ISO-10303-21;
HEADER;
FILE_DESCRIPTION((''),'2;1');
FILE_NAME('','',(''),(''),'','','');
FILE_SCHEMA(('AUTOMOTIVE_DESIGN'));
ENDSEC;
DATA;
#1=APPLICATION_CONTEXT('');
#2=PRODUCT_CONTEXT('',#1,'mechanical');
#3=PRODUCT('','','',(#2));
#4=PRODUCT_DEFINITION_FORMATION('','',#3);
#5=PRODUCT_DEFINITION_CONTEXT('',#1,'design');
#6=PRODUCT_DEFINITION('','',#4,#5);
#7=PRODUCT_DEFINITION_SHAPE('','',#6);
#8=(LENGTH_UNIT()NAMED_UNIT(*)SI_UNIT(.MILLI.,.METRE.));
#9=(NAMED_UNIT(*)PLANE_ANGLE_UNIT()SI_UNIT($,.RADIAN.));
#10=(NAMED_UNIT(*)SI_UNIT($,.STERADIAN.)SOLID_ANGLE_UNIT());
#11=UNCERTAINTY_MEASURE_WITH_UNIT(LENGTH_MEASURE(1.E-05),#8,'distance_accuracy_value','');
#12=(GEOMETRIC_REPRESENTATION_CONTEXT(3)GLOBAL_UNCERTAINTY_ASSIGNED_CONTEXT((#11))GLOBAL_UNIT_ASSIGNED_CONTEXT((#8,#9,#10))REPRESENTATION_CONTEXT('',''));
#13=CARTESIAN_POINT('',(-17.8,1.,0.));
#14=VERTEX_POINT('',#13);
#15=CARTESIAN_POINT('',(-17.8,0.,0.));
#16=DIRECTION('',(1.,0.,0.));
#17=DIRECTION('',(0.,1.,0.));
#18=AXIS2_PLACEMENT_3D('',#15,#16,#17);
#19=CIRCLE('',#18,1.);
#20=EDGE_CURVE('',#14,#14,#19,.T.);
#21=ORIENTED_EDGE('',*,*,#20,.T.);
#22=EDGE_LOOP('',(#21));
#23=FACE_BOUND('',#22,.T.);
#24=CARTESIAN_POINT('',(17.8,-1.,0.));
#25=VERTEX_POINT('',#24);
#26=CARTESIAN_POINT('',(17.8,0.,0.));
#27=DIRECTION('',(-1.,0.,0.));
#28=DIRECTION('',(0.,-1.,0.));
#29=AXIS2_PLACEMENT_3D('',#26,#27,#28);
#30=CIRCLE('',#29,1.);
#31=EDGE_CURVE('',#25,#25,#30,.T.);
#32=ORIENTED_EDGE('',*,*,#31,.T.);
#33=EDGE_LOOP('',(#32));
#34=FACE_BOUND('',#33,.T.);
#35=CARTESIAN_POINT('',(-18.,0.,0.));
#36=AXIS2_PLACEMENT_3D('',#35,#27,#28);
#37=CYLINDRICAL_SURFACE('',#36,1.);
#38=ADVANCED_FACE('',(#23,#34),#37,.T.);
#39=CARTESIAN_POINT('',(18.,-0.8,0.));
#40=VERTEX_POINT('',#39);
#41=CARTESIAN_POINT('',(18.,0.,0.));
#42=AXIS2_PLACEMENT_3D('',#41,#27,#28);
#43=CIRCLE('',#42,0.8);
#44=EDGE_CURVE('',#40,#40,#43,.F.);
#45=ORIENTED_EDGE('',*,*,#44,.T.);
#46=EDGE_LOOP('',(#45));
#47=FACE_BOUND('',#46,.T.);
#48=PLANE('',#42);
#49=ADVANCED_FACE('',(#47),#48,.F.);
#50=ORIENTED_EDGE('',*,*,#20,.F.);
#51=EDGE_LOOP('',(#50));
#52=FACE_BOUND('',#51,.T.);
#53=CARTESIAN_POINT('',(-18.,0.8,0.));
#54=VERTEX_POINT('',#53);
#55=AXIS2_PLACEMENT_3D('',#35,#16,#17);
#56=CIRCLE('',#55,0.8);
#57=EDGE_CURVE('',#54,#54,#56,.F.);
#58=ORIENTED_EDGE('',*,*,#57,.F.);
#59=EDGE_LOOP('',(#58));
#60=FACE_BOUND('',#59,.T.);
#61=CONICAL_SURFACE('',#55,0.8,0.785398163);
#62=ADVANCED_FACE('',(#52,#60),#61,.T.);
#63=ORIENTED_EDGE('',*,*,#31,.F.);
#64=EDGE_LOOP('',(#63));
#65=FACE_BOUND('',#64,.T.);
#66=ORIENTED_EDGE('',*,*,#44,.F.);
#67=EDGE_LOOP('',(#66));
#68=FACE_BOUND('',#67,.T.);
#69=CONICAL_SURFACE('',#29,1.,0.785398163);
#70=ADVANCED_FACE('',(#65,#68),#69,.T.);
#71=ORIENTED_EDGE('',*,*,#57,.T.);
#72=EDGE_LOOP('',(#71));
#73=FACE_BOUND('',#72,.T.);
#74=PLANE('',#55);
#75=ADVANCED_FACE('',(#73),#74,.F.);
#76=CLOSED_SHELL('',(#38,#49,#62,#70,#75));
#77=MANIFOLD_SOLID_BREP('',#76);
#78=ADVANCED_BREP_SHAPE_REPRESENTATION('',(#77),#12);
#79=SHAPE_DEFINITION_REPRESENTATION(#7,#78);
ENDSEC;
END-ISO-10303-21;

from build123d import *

# Parameters (mm, degrees)
SKETCH1_W     = 36
SKETCH1_H     = 1
CHAMFER1_SIZE = 0.2


with BuildPart() as part:
    # Sketch1 → Revolve1 (revolve)
    with BuildSketch(Plane.XY):
        with Locations((0, 0.5)):
            Rectangle(SKETCH1_W, SKETCH1_H)
    revolve(axis=Axis((-18, 0, 0), (1, 0, 0)))

    # Chamfer1
    chamfer1_edges = [part.edges().sort_by_distance(p)[0] for p in [
        (18, -1, 0),
        (-18, -1, 0),
    ]]
    chamfer(chamfer1_edges, length=CHAMFER1_SIZE)


solid = part.part
